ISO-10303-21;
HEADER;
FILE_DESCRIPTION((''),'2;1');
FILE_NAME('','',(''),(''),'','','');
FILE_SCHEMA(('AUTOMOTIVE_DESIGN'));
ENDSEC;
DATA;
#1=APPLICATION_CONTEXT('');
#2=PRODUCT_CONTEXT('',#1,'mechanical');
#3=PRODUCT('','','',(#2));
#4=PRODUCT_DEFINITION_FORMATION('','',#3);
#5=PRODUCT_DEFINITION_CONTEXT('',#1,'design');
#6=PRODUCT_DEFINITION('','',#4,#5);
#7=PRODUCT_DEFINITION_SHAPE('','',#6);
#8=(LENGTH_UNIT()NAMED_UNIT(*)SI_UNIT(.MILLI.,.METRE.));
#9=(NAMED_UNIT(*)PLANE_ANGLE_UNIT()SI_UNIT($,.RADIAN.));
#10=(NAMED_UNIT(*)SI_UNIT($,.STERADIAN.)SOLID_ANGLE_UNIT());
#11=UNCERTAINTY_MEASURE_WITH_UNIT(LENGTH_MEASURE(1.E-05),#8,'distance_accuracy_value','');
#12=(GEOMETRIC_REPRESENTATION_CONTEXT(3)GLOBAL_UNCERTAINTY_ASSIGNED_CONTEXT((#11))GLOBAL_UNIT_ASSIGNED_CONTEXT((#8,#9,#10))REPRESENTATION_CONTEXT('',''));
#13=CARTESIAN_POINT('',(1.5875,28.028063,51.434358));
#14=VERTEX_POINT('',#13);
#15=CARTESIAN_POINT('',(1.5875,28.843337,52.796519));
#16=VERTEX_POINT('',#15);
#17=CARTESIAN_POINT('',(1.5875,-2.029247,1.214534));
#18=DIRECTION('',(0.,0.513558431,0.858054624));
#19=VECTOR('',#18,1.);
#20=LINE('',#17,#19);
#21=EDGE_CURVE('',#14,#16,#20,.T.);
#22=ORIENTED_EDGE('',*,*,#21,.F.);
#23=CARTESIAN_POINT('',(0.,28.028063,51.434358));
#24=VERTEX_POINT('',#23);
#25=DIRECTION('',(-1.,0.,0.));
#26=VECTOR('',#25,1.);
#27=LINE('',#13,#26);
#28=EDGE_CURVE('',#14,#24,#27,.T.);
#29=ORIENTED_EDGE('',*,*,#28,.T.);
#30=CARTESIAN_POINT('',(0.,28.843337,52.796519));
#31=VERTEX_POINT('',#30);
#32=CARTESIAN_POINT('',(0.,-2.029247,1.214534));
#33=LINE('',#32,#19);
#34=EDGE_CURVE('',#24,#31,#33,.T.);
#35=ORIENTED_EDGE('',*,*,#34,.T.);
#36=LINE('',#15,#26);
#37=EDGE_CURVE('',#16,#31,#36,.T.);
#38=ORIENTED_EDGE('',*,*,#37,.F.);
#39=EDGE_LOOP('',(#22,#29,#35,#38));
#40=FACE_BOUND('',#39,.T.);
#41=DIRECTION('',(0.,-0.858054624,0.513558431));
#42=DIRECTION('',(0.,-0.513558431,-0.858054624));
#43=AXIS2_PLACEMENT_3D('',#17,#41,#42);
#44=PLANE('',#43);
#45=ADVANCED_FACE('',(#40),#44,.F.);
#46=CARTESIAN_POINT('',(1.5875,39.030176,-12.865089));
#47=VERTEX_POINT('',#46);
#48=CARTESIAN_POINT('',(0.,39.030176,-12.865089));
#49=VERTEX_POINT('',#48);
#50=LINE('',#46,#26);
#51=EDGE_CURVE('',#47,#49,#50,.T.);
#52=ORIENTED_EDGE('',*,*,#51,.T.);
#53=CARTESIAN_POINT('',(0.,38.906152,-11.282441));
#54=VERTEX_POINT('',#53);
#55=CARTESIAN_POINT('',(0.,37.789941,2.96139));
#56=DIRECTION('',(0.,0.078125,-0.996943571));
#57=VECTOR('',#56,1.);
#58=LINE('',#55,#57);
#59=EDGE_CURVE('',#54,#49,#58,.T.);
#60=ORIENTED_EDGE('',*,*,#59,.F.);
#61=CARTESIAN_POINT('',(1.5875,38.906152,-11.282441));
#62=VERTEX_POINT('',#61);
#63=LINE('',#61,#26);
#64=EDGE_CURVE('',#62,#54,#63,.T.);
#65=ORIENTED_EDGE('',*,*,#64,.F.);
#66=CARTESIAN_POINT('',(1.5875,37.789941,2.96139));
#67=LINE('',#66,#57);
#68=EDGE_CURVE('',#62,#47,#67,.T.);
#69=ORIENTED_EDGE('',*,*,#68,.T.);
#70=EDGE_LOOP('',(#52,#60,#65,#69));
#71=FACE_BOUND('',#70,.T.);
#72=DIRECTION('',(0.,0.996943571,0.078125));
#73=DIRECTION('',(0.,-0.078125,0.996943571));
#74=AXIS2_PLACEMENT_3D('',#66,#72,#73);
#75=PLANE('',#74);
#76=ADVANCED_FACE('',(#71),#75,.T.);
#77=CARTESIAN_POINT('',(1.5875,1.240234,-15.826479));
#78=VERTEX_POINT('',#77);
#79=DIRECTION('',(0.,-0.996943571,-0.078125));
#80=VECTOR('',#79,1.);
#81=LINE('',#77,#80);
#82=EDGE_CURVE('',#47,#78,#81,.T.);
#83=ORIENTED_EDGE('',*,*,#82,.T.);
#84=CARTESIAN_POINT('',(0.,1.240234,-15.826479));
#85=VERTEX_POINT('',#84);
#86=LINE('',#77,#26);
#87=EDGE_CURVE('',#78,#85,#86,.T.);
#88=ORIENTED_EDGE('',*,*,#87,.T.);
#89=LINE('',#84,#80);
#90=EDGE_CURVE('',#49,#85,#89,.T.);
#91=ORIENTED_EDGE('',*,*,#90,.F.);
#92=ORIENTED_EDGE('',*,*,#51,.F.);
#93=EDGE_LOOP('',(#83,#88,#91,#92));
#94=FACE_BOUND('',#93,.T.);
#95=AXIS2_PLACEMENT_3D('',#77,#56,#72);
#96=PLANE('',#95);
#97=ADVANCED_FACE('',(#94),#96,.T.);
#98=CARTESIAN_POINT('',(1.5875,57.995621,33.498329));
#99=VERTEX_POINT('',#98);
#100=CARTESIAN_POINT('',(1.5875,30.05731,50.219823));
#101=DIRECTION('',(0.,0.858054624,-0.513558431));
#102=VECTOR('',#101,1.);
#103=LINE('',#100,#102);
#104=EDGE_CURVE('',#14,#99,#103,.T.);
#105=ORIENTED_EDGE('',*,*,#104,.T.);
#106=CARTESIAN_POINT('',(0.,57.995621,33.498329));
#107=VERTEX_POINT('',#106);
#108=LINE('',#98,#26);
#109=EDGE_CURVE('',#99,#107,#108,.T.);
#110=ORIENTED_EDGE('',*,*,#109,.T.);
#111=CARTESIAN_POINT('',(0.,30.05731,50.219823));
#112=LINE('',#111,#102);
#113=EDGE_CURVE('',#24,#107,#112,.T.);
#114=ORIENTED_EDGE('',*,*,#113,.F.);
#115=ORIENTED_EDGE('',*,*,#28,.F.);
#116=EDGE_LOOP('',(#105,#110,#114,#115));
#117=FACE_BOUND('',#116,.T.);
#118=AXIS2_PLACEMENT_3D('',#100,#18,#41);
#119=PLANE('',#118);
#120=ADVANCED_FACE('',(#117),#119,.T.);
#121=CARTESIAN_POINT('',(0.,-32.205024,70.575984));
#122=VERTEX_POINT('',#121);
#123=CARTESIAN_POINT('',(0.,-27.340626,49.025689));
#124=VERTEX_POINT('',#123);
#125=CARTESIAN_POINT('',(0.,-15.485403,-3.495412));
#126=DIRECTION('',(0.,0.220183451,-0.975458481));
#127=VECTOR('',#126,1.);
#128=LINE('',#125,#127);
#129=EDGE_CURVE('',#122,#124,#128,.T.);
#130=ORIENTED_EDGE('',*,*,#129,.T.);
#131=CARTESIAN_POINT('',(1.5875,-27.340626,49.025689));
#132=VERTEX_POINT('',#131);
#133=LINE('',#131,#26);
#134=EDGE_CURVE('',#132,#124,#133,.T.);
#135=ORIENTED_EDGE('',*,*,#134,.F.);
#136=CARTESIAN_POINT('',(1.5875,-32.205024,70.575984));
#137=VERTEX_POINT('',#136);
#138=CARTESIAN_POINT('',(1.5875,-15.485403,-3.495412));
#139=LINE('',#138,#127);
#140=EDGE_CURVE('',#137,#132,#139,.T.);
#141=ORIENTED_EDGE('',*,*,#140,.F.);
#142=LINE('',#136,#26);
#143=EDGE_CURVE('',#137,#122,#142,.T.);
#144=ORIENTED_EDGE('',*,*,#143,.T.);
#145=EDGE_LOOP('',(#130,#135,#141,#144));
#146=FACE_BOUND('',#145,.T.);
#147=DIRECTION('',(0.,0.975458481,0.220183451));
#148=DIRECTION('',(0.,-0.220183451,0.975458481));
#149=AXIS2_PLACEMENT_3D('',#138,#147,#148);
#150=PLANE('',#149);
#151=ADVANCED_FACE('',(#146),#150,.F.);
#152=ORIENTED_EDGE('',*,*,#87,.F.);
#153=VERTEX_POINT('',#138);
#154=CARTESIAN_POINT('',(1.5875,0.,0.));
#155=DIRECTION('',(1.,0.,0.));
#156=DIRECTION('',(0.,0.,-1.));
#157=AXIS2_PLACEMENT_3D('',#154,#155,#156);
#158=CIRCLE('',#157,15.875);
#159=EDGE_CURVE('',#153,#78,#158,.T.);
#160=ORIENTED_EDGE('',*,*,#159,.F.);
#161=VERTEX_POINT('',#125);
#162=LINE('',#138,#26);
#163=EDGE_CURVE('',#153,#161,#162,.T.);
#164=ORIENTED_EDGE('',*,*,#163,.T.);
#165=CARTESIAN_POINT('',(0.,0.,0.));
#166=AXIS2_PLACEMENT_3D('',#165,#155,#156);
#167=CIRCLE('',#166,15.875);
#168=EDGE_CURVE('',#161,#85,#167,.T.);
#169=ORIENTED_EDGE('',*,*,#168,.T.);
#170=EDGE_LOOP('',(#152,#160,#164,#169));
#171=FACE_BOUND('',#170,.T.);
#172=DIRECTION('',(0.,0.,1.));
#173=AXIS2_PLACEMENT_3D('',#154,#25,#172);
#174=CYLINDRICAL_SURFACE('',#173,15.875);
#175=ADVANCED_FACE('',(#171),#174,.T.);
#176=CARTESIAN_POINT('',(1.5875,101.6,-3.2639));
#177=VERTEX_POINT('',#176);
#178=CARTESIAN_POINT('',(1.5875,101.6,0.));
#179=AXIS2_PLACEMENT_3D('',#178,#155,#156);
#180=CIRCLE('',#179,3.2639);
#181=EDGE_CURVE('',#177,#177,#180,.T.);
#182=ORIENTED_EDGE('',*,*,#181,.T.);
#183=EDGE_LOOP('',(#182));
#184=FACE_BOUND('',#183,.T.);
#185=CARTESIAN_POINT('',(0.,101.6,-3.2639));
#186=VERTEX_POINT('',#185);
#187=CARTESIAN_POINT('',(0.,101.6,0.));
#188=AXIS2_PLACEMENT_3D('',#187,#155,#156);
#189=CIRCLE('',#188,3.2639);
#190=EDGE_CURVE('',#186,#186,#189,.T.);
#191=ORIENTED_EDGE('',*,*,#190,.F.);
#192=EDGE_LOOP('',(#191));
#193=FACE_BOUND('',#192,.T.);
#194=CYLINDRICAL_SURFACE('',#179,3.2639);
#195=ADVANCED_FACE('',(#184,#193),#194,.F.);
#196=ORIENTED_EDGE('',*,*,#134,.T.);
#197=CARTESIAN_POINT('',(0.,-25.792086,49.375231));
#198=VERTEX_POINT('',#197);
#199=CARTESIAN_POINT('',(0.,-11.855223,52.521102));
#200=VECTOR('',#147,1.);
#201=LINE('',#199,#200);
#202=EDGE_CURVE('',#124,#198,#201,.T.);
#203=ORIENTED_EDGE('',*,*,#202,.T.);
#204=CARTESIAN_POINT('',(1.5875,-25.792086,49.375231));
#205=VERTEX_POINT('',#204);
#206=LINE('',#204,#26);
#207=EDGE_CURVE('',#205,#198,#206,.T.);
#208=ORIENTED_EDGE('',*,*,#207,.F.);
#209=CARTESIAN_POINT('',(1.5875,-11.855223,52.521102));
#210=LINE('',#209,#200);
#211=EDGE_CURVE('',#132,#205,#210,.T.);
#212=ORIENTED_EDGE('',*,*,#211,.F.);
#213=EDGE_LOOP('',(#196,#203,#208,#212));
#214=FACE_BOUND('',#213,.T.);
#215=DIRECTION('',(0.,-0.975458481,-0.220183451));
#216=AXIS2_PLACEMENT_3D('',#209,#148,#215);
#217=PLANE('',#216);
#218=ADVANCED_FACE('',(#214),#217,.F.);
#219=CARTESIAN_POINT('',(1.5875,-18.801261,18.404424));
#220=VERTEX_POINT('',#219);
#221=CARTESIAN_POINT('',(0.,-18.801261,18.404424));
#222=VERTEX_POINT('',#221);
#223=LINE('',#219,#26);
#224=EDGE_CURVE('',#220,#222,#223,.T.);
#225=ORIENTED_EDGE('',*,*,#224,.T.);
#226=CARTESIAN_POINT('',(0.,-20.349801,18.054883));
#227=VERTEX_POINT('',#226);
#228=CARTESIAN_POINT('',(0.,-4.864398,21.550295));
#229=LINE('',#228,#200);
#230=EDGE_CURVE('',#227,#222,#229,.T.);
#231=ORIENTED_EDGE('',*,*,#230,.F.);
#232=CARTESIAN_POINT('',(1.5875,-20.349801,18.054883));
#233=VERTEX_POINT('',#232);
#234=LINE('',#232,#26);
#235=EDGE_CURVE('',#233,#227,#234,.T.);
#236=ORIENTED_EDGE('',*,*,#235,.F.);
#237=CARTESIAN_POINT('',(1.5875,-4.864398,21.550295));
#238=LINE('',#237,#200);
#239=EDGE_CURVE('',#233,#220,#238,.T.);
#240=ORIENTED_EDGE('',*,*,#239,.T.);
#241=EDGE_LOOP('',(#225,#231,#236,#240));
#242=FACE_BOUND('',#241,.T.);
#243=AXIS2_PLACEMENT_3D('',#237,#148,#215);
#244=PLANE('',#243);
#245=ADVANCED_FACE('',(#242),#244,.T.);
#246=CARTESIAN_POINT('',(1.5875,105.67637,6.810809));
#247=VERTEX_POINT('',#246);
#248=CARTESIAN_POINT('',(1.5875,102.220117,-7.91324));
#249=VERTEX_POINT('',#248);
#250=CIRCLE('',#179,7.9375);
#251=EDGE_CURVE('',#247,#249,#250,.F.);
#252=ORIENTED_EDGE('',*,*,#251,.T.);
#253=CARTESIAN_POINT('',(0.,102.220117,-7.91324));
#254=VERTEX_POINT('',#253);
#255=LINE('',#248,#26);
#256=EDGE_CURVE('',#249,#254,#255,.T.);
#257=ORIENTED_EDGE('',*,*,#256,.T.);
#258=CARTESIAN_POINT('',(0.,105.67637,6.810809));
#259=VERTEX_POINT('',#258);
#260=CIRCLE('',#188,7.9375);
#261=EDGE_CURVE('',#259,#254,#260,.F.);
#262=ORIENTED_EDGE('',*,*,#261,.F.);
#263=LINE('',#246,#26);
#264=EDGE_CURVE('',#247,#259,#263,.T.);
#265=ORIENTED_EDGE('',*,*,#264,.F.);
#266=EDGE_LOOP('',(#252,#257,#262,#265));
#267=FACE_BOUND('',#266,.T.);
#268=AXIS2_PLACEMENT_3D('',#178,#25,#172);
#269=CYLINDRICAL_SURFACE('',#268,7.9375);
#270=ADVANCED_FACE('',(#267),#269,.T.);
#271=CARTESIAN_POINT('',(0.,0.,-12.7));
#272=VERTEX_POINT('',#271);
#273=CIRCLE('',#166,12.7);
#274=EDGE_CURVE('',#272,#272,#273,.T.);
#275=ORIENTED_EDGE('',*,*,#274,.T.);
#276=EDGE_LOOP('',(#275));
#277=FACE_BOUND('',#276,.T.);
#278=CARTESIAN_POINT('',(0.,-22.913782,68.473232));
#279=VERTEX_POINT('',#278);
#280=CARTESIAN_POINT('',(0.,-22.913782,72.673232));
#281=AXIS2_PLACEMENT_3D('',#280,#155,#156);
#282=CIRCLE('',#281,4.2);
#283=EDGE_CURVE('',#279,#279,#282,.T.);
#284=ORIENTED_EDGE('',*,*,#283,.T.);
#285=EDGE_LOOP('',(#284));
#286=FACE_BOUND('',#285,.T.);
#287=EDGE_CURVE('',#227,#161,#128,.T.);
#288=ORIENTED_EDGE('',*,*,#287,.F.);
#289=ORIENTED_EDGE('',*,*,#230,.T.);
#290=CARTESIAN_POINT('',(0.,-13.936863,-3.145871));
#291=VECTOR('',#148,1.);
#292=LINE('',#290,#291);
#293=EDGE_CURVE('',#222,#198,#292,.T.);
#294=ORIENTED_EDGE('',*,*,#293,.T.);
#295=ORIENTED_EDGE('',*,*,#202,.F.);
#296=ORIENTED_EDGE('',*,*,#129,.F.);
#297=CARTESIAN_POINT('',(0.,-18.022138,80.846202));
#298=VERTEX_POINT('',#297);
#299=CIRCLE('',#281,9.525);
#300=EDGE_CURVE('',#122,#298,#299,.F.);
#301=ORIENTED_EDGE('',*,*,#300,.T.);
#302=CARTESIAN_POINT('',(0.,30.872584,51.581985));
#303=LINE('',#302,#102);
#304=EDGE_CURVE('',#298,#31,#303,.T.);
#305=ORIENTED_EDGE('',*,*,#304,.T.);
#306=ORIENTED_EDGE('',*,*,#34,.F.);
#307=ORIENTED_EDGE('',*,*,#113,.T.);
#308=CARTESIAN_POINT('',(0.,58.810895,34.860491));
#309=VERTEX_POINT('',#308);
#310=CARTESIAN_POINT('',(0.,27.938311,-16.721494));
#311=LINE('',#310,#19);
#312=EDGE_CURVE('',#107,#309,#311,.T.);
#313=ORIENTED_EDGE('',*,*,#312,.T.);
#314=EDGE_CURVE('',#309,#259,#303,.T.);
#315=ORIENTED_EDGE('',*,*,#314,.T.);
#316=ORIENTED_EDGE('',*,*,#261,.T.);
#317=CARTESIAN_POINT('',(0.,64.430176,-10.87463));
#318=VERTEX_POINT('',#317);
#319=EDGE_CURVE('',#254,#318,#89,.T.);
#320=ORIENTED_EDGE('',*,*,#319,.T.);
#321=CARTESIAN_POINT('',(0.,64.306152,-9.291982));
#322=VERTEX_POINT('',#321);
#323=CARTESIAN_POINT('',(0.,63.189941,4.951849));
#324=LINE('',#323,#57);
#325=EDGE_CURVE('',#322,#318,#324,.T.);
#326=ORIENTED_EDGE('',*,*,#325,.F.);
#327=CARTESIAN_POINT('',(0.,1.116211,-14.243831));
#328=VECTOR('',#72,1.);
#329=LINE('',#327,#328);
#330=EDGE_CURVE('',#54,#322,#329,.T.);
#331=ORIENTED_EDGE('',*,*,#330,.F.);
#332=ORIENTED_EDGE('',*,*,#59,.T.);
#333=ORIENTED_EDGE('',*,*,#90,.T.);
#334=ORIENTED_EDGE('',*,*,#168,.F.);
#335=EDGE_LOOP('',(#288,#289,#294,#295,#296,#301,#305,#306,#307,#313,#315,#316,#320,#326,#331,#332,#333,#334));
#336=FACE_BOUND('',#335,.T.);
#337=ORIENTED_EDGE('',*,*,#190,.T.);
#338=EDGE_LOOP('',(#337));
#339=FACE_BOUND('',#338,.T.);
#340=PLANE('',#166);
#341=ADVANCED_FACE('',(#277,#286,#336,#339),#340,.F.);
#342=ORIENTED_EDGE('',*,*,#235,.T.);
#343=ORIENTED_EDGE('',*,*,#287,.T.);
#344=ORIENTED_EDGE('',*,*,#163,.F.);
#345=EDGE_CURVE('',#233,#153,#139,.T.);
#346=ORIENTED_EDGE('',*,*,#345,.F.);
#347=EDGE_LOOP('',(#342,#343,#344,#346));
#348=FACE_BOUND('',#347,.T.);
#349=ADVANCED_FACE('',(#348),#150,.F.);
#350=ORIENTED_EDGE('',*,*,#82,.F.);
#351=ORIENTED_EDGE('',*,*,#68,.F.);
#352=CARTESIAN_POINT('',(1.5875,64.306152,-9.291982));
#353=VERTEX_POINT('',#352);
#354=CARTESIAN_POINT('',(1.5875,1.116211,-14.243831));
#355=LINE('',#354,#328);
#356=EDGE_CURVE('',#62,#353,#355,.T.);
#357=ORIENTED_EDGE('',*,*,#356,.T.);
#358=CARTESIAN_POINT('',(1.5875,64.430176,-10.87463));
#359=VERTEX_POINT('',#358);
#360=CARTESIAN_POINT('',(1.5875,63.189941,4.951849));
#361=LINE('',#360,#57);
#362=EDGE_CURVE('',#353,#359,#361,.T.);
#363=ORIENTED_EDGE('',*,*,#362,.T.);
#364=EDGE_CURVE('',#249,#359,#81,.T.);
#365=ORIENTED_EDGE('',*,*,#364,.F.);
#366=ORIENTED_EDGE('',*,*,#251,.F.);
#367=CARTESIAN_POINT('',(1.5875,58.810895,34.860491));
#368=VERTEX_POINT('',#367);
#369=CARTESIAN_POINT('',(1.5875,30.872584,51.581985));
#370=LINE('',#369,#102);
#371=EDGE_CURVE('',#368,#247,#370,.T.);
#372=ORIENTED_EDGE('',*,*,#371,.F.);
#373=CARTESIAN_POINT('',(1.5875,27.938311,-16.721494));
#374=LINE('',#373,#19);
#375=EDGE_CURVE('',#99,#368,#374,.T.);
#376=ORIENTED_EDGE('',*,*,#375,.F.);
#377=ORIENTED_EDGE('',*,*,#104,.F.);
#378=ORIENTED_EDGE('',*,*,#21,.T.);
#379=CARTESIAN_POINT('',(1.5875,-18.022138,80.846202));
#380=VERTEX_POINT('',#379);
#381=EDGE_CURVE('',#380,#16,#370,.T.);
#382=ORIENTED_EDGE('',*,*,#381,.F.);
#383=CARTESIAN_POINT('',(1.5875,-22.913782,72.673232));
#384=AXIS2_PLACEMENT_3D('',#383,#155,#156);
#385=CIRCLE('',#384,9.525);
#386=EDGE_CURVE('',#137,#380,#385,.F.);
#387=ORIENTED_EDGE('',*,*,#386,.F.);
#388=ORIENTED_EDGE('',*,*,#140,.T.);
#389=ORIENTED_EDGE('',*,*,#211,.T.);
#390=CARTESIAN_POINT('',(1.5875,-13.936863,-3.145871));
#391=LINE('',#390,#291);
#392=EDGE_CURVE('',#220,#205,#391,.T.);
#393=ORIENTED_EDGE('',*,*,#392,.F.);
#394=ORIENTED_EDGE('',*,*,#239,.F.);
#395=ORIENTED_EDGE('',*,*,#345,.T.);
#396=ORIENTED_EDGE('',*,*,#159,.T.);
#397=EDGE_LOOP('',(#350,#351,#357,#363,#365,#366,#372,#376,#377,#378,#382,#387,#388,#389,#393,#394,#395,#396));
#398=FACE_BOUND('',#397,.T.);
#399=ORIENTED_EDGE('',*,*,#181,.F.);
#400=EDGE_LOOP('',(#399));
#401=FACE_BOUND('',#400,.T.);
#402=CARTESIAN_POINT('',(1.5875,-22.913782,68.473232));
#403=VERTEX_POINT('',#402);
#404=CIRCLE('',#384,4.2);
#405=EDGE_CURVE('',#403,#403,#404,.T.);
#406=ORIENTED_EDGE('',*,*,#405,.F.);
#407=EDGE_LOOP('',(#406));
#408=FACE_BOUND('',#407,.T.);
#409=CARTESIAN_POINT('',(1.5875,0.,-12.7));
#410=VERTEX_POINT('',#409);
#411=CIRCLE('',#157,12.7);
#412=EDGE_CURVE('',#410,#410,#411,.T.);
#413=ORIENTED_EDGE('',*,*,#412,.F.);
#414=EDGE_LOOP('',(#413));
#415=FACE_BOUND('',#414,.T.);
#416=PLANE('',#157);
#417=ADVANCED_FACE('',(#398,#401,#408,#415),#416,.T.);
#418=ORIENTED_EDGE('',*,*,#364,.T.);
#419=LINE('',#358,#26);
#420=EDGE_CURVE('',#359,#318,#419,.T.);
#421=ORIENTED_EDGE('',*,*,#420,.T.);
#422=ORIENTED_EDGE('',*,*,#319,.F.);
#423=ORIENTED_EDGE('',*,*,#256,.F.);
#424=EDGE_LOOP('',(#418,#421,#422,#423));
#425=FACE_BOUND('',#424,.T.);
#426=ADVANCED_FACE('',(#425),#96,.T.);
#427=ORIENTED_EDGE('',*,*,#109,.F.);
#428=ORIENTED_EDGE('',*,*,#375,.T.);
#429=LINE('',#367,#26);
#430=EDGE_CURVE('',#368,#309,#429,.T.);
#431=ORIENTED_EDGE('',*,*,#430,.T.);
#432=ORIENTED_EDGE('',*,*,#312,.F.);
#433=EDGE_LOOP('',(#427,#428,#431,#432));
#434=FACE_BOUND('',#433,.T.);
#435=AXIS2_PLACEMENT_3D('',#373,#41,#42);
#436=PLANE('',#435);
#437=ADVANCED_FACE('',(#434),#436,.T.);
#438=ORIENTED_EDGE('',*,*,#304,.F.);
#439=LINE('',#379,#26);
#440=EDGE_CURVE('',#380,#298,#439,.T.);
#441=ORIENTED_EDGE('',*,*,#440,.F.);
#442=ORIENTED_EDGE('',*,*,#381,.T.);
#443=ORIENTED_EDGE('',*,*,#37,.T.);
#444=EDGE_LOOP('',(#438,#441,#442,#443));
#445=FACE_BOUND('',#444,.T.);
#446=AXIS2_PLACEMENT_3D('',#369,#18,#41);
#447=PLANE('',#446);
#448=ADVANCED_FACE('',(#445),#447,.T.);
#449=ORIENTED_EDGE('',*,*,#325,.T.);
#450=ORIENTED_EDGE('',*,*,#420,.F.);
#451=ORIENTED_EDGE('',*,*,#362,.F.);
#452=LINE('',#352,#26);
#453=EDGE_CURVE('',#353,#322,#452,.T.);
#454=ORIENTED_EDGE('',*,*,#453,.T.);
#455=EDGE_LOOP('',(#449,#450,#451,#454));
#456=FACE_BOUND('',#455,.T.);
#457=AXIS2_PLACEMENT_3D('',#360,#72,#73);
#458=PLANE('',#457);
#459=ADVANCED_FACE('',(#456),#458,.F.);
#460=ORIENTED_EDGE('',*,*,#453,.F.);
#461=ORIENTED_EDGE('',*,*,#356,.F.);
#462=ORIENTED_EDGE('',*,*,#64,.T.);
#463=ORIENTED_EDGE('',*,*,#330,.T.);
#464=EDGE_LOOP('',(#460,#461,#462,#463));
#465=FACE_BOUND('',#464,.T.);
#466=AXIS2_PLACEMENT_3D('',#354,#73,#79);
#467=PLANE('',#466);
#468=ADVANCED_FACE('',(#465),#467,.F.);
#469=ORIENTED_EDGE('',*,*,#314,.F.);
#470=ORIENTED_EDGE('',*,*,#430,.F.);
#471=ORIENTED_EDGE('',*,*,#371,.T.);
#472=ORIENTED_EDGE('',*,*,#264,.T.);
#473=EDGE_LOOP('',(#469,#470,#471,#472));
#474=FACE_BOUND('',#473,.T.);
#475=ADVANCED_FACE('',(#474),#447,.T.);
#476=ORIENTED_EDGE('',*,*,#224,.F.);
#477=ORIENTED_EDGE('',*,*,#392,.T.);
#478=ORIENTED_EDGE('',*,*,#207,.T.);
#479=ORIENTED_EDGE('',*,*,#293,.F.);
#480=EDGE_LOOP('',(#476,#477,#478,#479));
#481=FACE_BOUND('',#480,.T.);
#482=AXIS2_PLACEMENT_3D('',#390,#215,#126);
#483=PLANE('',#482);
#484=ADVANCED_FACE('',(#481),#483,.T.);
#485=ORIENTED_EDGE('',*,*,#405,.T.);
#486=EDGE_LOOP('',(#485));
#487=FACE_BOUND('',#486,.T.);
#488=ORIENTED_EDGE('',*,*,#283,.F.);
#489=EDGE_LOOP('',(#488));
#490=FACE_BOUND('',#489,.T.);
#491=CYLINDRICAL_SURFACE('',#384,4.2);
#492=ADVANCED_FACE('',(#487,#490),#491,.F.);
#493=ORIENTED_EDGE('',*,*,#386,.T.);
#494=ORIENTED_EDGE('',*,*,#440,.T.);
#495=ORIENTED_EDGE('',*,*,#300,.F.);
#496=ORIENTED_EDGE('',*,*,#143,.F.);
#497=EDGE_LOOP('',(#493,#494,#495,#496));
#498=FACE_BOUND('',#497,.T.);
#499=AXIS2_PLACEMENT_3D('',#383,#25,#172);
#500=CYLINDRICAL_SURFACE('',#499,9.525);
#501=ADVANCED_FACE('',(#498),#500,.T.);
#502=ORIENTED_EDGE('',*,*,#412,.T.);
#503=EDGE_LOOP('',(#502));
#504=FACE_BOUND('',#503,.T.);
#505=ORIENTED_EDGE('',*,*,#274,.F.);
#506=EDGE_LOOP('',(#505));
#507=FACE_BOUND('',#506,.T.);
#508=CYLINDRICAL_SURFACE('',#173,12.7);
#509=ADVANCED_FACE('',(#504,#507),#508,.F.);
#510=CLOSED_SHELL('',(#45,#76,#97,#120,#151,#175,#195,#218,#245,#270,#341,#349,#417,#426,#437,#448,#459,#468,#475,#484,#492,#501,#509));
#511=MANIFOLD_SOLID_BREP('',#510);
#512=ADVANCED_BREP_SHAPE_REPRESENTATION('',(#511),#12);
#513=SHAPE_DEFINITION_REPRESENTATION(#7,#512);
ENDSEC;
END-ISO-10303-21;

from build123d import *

# Parameters (mm, degrees)
SKETCH1_R               = 12.7
BOSS_EXTRUDE1_DEPTH     = 1.5875
F_1_4_CLEARANCE_HOLE1_D = 6.5278
M8_CLEARANCE_HOLE1_D    = 8.4


with BuildPart() as part:
    # Sketch1 → Boss-Extrude1 (new body)
    with BuildSketch(Plane(origin=(0, 0, 0), x_dir=(0, 0, -1), z_dir=(1, 0, 0))):
        with BuildLine():
            ThreePointArc((-80.846201942, -18.022137868), (-80.387968629, -28.500235027), (-70.57598428, -32.205023953))
            Line((-70.57598428, -32.205023953), (-49.025689387, -27.340625947))
            Line((-49.025689387, -27.340625947), (-49.375230615, -25.792085609))
            Line((-49.375230615, -25.792085609), (-18.404423844, -18.801261053))
            Line((-18.404423844, -18.801261053), (-18.054882616, -20.349801392))
            Line((-18.054882616, -20.349801392), (3.495412278, -15.485403385))
            ThreePointArc((3.495412278, -15.485403385), (12.777738929, -9.420457147), (15.826479195, 1.240234375))
            Line((15.826479195, 1.240234375), (12.865088743, 39.030175781))
            Line((12.865088743, 39.030175781), (11.282440824, 38.906152344))
            Line((11.282440824, 38.906152344), (9.291982129, 64.306152344))
            Line((9.291982129, 64.306152344), (10.874630048, 64.430175781))
            Line((10.874630048, 64.430175781), (7.913239597, 102.220117187))
            ThreePointArc((7.913239597, 102.220117187), (1.813907244, 109.327460563), (-6.810808579, 105.676370045))
            Line((-6.810808579, 105.676370045), (-34.860491161, 58.810894963))
            Line((-34.860491161, 58.810894963), (-33.498329446, 57.995620954))
            Line((-33.498329446, 57.995620954), (-51.434357644, 28.028063205))
            Line((-51.434357644, 28.028063205), (-52.79651936, 28.843337214))
            Line((-52.79651936, 28.843337214), (-80.846201942, -18.022137868))
        make_face()
        Circle(SKETCH1_R, mode=Mode.SUBTRACT)
    extrude(amount=BOSS_EXTRUDE1_DEPTH)

    # 1/4 Clearance Hole1 (through all)
    with Locations(Plane(origin=(1.5875, 0, 0), x_dir=(0, 0, -1), z_dir=(1, 0, 0))):
        with Locations((0, 101.6)):
            Hole(F_1_4_CLEARANCE_HOLE1_D / 2)

    # M8 Clearance Hole1 (through all)
    with Locations(Plane(origin=(1.5875, 0, 0), x_dir=(0, 0, -1), z_dir=(1, 0, 0))):
        with Locations((-72.673231647, -22.913781922)):
            Hole(M8_CLEARANCE_HOLE1_D / 2)


solid = part.part
